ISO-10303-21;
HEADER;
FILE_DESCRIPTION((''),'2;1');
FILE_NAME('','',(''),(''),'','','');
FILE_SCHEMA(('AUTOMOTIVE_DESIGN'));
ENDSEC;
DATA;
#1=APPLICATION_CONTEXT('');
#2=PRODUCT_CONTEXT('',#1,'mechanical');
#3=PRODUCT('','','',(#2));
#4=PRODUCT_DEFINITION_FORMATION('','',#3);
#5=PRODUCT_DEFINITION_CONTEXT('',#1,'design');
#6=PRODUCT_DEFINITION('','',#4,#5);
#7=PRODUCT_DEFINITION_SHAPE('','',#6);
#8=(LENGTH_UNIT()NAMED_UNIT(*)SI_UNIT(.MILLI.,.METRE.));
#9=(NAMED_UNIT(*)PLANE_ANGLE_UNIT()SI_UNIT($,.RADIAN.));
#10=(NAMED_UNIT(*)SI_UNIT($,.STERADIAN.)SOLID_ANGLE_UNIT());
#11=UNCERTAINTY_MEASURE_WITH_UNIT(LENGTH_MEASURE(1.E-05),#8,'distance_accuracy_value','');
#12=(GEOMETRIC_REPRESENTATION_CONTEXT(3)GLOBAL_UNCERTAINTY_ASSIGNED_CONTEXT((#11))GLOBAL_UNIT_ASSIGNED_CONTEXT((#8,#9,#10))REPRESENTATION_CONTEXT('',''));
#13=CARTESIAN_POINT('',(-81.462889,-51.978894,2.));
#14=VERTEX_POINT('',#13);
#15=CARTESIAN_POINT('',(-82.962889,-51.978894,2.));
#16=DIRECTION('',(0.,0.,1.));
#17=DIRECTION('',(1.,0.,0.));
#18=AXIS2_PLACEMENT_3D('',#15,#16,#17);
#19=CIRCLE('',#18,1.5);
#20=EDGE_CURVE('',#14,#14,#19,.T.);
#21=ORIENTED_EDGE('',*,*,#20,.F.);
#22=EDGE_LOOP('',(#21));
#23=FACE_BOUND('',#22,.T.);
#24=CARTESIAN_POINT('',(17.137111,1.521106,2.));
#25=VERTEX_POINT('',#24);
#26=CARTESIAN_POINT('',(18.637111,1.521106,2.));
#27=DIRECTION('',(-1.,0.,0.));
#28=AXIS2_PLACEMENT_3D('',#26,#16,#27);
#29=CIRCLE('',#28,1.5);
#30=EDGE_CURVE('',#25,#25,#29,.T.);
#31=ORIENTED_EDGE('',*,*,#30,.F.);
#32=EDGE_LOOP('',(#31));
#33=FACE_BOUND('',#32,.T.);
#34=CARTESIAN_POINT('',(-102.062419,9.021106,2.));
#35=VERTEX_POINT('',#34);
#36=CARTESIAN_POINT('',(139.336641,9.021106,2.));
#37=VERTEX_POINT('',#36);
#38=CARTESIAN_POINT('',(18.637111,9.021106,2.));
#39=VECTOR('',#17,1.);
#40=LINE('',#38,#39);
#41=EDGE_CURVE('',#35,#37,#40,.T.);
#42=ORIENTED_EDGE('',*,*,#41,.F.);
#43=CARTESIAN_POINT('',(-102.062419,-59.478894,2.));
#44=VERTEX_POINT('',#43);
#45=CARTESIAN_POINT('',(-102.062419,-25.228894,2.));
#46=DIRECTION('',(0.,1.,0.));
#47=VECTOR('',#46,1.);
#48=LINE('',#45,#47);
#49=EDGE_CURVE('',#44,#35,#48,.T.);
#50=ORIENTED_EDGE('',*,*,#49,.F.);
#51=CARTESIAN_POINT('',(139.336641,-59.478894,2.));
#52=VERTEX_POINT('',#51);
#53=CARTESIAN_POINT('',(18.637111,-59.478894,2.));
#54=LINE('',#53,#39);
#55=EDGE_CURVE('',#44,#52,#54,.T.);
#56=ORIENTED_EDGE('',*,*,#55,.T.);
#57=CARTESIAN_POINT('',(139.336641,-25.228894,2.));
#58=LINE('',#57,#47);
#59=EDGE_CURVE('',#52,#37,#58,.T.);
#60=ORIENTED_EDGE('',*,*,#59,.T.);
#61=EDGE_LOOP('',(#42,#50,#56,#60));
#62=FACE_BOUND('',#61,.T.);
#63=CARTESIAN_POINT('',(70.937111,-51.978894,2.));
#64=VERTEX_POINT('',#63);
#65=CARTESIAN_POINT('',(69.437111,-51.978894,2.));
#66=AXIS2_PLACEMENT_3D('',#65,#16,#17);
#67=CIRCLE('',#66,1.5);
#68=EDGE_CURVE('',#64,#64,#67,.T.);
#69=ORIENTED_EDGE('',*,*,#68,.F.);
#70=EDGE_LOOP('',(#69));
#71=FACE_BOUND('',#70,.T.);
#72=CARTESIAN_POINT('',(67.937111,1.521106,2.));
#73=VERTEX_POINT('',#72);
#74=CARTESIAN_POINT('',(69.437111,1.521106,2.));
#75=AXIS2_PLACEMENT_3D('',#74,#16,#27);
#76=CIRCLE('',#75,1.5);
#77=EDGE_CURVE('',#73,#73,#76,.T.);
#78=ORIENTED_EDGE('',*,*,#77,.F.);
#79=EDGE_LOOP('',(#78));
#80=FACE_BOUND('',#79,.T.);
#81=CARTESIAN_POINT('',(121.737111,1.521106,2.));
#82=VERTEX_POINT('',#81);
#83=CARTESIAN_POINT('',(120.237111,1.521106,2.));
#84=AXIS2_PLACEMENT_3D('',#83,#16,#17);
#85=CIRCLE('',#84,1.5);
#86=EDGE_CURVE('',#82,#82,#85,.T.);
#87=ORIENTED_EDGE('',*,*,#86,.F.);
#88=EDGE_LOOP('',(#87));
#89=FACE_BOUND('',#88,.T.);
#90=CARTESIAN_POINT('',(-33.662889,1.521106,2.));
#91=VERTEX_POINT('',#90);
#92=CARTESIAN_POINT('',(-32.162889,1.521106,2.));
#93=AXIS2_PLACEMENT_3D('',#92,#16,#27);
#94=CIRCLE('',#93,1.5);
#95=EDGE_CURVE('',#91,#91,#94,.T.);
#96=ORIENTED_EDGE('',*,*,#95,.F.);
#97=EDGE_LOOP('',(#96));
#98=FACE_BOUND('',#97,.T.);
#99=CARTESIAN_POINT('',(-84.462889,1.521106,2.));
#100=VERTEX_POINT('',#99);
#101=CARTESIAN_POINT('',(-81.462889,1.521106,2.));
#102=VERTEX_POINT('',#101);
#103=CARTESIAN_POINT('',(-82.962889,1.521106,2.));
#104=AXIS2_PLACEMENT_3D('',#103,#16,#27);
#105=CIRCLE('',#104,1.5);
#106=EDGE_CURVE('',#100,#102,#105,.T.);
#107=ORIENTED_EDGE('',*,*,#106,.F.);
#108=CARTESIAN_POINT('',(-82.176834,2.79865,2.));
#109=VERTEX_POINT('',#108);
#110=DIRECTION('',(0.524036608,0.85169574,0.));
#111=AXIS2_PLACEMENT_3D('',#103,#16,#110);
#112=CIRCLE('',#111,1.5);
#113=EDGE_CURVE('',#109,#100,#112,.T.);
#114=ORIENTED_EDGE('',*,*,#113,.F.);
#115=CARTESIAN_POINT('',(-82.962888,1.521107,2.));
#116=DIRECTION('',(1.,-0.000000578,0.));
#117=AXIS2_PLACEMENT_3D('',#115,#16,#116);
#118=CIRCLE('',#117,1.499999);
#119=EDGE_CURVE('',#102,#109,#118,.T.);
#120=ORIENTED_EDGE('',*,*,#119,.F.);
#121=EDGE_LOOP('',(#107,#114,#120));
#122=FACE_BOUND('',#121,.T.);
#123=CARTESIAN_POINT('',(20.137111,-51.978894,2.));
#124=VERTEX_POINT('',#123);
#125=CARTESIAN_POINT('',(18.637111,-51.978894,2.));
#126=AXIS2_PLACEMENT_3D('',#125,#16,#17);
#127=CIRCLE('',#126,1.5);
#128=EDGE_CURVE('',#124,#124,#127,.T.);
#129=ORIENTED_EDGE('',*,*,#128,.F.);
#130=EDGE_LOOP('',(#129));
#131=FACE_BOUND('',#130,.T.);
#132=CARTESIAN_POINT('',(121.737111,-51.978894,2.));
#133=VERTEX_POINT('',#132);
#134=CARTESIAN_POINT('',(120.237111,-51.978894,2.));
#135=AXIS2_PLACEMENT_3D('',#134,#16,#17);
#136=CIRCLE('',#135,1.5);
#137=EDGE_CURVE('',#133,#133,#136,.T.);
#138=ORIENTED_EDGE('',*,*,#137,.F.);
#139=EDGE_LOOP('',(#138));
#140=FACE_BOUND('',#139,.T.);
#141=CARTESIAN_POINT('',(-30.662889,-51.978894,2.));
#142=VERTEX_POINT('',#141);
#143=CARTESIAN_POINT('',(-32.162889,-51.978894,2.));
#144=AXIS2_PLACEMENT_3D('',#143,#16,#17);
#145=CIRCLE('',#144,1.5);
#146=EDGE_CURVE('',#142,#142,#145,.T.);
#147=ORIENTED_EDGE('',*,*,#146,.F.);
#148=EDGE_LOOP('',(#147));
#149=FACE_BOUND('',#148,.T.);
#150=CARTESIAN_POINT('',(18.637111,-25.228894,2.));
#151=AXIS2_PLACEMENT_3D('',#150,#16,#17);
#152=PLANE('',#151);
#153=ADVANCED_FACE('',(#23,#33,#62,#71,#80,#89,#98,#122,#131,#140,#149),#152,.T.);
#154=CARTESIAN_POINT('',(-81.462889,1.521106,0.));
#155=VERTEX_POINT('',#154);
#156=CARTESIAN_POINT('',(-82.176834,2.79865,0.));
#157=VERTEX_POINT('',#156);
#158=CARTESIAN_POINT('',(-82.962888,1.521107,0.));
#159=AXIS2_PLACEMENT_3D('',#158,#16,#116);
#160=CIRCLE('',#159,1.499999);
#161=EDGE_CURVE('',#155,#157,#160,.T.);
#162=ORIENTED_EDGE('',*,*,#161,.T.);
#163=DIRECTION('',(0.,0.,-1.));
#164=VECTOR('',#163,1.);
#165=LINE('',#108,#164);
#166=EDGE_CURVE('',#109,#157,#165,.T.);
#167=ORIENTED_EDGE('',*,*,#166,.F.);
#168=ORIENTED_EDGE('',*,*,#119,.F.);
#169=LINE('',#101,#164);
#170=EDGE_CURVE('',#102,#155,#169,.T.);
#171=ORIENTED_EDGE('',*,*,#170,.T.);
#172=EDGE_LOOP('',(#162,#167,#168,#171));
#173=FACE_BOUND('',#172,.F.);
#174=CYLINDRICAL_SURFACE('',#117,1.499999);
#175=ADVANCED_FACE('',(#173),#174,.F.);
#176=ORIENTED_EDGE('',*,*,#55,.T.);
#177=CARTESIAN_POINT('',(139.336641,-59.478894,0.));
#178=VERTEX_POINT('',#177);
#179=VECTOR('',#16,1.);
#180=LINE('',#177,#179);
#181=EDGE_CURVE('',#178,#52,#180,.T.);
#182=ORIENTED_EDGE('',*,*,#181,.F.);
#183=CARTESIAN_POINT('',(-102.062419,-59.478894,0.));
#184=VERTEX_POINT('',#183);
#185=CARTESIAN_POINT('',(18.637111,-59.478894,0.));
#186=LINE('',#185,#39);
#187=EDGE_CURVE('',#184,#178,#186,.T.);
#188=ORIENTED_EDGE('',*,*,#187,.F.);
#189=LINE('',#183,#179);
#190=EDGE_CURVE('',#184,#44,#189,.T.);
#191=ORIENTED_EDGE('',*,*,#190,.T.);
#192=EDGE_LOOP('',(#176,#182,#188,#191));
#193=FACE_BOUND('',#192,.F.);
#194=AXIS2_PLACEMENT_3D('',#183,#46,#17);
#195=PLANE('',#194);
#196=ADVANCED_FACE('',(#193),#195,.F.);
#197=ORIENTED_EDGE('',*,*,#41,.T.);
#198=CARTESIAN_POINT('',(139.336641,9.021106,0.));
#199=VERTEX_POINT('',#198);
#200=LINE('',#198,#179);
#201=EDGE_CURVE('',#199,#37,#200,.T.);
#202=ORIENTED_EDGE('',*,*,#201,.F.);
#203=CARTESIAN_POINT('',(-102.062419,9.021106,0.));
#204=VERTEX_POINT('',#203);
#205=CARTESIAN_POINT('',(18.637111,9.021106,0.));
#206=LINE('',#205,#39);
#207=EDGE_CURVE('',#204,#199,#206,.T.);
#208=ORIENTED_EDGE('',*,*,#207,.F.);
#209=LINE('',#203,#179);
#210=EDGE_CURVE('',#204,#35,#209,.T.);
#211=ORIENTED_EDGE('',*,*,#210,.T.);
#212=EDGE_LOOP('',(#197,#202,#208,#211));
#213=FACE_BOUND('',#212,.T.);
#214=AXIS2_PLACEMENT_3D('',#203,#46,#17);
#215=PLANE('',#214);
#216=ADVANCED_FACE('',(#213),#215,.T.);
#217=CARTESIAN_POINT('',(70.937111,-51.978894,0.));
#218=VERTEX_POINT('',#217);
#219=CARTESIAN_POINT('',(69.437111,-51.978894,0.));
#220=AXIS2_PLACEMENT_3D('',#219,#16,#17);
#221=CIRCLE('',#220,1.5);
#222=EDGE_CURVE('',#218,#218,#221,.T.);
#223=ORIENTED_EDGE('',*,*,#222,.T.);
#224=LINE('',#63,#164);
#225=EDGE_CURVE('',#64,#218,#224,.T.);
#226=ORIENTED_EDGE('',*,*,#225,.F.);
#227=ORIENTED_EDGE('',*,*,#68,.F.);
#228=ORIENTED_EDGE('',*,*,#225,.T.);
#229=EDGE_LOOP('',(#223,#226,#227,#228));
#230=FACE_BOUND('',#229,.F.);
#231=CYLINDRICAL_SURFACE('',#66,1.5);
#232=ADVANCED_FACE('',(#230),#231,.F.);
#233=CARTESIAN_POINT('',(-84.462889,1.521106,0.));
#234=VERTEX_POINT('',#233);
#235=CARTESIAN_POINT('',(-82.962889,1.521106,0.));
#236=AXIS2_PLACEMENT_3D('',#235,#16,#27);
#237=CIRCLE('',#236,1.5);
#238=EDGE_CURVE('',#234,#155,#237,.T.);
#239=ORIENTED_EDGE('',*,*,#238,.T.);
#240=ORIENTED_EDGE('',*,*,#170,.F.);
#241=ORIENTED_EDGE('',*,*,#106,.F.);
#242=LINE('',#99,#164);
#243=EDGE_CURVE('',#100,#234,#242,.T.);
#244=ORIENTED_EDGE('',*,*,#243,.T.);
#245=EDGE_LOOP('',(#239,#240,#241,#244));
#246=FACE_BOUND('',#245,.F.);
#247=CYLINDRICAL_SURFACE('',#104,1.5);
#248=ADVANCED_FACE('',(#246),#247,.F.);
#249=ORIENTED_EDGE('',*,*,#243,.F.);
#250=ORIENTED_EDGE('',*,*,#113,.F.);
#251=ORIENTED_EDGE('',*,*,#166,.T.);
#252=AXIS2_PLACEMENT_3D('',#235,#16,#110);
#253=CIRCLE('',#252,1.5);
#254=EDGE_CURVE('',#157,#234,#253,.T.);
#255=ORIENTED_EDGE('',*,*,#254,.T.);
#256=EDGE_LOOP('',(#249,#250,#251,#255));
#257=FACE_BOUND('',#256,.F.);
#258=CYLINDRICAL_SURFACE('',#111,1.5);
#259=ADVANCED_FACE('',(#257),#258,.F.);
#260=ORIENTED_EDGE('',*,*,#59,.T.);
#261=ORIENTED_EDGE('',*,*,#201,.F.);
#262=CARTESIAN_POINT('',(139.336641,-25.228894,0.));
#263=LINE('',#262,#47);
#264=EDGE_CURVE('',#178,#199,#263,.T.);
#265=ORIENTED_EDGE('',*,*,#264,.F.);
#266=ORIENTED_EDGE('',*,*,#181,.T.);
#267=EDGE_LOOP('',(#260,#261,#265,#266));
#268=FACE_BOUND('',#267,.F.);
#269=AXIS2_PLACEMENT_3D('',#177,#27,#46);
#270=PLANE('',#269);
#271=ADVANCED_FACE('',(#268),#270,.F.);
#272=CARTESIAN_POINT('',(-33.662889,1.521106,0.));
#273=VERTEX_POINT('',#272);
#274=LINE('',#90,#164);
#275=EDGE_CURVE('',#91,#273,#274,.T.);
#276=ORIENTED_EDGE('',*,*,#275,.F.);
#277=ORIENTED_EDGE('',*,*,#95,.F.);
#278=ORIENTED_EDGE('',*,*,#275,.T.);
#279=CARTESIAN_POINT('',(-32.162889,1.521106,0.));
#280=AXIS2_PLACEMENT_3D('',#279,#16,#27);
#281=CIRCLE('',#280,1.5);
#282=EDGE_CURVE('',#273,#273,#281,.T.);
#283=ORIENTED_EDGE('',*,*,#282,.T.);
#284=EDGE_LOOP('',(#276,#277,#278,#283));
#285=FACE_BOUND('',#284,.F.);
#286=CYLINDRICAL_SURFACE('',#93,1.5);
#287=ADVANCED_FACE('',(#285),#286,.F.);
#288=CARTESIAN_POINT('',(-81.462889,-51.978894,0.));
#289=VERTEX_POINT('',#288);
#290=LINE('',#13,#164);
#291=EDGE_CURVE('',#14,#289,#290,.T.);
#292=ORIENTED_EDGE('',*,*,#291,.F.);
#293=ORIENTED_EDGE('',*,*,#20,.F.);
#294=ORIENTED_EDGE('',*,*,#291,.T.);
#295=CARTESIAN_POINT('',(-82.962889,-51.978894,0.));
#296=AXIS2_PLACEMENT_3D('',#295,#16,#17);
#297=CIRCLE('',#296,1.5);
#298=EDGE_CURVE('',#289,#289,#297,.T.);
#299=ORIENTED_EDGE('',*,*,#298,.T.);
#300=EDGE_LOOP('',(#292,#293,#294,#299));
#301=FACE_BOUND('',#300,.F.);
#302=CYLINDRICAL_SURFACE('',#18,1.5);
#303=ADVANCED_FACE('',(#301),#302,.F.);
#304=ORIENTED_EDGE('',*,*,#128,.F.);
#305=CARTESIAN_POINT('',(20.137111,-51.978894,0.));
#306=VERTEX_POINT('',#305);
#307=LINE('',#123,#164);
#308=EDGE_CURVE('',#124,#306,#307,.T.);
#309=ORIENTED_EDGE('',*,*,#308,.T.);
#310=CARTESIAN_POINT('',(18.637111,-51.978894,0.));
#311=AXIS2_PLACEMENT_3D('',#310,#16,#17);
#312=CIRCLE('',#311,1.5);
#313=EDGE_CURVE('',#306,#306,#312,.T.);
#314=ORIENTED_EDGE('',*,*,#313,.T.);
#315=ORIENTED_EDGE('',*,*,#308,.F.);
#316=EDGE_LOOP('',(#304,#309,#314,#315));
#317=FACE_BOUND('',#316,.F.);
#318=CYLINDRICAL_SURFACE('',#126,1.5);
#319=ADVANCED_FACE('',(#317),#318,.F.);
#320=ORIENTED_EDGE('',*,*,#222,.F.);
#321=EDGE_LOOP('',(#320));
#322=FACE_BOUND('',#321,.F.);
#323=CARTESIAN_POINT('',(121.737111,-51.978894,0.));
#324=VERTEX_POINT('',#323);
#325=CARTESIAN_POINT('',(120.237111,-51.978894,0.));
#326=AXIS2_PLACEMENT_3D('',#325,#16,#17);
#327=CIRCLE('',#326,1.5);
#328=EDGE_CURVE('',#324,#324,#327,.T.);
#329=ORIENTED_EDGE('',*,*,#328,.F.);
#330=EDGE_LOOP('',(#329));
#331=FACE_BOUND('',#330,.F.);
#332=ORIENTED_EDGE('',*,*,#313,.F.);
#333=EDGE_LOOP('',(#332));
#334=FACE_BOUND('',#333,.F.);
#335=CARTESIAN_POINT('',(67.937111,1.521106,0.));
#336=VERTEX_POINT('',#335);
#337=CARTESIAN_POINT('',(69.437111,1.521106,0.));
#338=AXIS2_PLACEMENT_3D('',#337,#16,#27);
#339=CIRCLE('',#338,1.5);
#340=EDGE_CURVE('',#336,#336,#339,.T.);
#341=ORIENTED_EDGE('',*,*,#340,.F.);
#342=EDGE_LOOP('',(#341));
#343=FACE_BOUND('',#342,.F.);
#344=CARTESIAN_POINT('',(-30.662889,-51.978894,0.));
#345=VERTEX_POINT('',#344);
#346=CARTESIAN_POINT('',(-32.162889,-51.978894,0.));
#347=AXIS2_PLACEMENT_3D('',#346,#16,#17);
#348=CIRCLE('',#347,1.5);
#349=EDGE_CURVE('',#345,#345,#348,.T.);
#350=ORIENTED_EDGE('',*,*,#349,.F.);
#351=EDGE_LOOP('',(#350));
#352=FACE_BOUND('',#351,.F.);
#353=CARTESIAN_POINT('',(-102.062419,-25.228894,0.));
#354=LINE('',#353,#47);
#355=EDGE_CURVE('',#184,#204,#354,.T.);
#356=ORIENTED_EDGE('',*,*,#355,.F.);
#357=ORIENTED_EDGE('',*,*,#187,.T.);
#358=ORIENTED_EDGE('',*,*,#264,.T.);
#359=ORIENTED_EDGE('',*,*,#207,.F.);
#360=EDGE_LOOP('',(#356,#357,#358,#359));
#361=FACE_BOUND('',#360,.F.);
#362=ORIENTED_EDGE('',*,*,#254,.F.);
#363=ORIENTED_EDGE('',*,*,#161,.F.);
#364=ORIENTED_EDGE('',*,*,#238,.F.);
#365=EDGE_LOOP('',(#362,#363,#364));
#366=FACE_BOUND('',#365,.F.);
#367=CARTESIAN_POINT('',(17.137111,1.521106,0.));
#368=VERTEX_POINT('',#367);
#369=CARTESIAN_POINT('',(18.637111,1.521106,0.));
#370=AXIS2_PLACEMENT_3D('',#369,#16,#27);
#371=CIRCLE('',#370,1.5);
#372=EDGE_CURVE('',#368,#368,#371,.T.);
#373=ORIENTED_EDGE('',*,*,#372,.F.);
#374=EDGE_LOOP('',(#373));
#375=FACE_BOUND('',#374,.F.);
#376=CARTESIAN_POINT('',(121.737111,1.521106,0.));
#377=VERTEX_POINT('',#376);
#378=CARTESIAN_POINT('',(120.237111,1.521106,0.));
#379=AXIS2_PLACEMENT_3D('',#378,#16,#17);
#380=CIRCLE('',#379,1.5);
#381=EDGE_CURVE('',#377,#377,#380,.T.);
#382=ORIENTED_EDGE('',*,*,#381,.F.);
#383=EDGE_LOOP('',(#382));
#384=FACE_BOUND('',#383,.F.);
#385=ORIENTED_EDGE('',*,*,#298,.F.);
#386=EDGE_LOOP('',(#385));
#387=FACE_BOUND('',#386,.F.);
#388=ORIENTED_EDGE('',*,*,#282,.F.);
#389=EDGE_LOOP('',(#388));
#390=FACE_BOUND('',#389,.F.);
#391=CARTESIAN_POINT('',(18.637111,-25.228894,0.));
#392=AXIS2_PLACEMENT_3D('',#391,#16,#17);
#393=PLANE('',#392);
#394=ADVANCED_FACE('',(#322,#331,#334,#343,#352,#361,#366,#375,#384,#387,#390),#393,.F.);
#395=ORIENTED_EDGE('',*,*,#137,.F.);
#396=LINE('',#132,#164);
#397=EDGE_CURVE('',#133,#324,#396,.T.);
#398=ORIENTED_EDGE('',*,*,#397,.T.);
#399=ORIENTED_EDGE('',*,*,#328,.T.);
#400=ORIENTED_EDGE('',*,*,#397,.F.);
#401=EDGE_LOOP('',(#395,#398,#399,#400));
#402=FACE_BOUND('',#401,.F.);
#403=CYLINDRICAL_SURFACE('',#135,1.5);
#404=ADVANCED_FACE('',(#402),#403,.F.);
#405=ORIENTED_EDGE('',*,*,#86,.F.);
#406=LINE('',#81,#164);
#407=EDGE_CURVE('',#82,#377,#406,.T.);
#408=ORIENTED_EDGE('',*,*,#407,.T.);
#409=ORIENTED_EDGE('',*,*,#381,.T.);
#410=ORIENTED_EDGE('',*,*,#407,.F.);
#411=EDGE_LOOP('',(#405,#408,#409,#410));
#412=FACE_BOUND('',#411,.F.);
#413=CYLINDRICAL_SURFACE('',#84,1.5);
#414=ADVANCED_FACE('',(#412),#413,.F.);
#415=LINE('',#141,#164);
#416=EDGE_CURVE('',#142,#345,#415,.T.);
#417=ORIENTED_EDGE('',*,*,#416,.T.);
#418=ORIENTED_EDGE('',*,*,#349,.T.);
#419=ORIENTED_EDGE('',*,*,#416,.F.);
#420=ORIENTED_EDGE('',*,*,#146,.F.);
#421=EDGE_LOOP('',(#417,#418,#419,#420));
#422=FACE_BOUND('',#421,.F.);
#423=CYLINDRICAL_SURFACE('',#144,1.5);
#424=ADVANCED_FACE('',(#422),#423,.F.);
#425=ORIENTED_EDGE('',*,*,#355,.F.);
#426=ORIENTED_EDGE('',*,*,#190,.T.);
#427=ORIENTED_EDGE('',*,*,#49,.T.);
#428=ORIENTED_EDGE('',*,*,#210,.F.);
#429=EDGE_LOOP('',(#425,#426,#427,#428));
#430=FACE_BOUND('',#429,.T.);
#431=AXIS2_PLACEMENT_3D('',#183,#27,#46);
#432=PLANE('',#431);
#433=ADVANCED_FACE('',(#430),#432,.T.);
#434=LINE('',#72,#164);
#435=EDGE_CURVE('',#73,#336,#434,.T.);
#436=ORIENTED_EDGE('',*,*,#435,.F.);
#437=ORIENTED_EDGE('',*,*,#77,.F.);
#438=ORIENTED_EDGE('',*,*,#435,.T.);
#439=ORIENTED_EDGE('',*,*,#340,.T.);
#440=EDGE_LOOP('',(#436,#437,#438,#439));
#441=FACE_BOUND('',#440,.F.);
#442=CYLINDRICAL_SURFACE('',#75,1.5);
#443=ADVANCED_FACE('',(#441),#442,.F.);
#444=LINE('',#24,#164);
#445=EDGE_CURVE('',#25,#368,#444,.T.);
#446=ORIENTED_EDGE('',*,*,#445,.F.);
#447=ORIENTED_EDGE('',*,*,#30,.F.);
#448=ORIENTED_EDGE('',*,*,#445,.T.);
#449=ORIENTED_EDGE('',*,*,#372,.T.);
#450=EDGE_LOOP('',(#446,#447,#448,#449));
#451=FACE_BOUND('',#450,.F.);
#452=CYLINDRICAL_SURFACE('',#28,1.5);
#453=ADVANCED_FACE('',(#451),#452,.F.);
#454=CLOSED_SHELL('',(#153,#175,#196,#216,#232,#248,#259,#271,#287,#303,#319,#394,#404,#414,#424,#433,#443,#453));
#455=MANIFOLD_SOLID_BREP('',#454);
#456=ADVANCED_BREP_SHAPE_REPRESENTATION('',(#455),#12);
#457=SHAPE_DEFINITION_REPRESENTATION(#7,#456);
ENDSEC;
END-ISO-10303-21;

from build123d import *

# Parameters (mm, degrees)
F0_W     = 241.39906
F0_H     = 68.5
F1_DEPTH = 2
F2_R     = 1.5
F3_DEPTH = 2.001


with BuildPart() as f1:
    # F0 (on Top) → F1 (new body)
    with BuildSketch(Plane.XY):
        with Locations((18.637111, -25.228894)):
            Rectangle(F0_W, F0_H)
    extrude(amount=F1_DEPTH)

    # F2 (on face) → F3 (cut, through all)
    with BuildSketch(Plane.XY.offset(2)):
        with BuildLine():
            Line((-82.176834, 2.79865), (-82.176834, 1.521106))
            Line((-82.176834, 1.521106), (-81.462889, 1.521106))
            ThreePointArc((-81.462889, 1.521106), (-81.653484, 2.252857), (-82.176834, 2.79865))
        make_face()
        with BuildLine():
            Line((-81.462889, 1.521106), (-82.176834, 1.521106))
            Line((-82.176834, 1.521106), (-84.462889, 1.521106))
            ThreePointArc((-84.462889, 1.521106), (-82.962889, 0.021106), (-81.462889, 1.521106))
        make_face()
        with BuildLine():
            Line((-84.462889, 1.521106), (-82.176834, 1.521106))
            Line((-82.176834, 1.521106), (-82.176834, 2.79865))
            ThreePointArc((-82.176834, 2.79865), (-83.69464, 2.830511), (-84.462889, 1.521106))
        make_face()
        with BuildLine():
            ThreePointArc((70.937111, 1.521106), (69.437111, 3.021106), (67.937111, 1.521106))
            Line((67.937111, 1.521106), (70.937111, 1.521106))
        make_face()
        with BuildLine():
            Line((70.937111, 1.521106), (67.937111, 1.521106))
            ThreePointArc((67.937111, 1.521106), (69.437111, 0.021106), (70.937111, 1.521106))
        make_face()
        with BuildLine():
            ThreePointArc((20.137111, 1.521106), (18.637111, 3.021106), (17.137111, 1.521106))
            Line((17.137111, 1.521106), (20.137111, 1.521106))
        make_face()
        with BuildLine():
            Line((20.137111, 1.521106), (17.137111, 1.521106))
            ThreePointArc((17.137111, 1.521106), (18.637111, 0.021106), (20.137111, 1.521106))
        make_face()
        with BuildLine():
            ThreePointArc((-30.662889, 1.521106), (-32.162889, 3.021106), (-33.662889, 1.521106))
            Line((-33.662889, 1.521106), (-30.662889, 1.521106))
        make_face()
        with BuildLine():
            Line((-30.662889, 1.521106), (-33.662889, 1.521106))
            ThreePointArc((-33.662889, 1.521106), (-32.162889, 0.021106), (-30.662889, 1.521106))
        make_face()
        with Locations((120.237111, 1.521106)):
            Circle(F2_R)
        with Locations((120.237111, -51.978894)):
            Circle(F2_R)
        with Locations((69.437111, -51.978894)):
            Circle(F2_R)
        with Locations((18.637111, -51.978894)):
            Circle(F2_R)
        with Locations((-32.162889, -51.978894)):
            Circle(F2_R)
        with Locations((-82.962889, -51.978894)):
            Circle(F2_R)
    extrude(amount=-F3_DEPTH, mode=Mode.SUBTRACT)


solid = f1.part
